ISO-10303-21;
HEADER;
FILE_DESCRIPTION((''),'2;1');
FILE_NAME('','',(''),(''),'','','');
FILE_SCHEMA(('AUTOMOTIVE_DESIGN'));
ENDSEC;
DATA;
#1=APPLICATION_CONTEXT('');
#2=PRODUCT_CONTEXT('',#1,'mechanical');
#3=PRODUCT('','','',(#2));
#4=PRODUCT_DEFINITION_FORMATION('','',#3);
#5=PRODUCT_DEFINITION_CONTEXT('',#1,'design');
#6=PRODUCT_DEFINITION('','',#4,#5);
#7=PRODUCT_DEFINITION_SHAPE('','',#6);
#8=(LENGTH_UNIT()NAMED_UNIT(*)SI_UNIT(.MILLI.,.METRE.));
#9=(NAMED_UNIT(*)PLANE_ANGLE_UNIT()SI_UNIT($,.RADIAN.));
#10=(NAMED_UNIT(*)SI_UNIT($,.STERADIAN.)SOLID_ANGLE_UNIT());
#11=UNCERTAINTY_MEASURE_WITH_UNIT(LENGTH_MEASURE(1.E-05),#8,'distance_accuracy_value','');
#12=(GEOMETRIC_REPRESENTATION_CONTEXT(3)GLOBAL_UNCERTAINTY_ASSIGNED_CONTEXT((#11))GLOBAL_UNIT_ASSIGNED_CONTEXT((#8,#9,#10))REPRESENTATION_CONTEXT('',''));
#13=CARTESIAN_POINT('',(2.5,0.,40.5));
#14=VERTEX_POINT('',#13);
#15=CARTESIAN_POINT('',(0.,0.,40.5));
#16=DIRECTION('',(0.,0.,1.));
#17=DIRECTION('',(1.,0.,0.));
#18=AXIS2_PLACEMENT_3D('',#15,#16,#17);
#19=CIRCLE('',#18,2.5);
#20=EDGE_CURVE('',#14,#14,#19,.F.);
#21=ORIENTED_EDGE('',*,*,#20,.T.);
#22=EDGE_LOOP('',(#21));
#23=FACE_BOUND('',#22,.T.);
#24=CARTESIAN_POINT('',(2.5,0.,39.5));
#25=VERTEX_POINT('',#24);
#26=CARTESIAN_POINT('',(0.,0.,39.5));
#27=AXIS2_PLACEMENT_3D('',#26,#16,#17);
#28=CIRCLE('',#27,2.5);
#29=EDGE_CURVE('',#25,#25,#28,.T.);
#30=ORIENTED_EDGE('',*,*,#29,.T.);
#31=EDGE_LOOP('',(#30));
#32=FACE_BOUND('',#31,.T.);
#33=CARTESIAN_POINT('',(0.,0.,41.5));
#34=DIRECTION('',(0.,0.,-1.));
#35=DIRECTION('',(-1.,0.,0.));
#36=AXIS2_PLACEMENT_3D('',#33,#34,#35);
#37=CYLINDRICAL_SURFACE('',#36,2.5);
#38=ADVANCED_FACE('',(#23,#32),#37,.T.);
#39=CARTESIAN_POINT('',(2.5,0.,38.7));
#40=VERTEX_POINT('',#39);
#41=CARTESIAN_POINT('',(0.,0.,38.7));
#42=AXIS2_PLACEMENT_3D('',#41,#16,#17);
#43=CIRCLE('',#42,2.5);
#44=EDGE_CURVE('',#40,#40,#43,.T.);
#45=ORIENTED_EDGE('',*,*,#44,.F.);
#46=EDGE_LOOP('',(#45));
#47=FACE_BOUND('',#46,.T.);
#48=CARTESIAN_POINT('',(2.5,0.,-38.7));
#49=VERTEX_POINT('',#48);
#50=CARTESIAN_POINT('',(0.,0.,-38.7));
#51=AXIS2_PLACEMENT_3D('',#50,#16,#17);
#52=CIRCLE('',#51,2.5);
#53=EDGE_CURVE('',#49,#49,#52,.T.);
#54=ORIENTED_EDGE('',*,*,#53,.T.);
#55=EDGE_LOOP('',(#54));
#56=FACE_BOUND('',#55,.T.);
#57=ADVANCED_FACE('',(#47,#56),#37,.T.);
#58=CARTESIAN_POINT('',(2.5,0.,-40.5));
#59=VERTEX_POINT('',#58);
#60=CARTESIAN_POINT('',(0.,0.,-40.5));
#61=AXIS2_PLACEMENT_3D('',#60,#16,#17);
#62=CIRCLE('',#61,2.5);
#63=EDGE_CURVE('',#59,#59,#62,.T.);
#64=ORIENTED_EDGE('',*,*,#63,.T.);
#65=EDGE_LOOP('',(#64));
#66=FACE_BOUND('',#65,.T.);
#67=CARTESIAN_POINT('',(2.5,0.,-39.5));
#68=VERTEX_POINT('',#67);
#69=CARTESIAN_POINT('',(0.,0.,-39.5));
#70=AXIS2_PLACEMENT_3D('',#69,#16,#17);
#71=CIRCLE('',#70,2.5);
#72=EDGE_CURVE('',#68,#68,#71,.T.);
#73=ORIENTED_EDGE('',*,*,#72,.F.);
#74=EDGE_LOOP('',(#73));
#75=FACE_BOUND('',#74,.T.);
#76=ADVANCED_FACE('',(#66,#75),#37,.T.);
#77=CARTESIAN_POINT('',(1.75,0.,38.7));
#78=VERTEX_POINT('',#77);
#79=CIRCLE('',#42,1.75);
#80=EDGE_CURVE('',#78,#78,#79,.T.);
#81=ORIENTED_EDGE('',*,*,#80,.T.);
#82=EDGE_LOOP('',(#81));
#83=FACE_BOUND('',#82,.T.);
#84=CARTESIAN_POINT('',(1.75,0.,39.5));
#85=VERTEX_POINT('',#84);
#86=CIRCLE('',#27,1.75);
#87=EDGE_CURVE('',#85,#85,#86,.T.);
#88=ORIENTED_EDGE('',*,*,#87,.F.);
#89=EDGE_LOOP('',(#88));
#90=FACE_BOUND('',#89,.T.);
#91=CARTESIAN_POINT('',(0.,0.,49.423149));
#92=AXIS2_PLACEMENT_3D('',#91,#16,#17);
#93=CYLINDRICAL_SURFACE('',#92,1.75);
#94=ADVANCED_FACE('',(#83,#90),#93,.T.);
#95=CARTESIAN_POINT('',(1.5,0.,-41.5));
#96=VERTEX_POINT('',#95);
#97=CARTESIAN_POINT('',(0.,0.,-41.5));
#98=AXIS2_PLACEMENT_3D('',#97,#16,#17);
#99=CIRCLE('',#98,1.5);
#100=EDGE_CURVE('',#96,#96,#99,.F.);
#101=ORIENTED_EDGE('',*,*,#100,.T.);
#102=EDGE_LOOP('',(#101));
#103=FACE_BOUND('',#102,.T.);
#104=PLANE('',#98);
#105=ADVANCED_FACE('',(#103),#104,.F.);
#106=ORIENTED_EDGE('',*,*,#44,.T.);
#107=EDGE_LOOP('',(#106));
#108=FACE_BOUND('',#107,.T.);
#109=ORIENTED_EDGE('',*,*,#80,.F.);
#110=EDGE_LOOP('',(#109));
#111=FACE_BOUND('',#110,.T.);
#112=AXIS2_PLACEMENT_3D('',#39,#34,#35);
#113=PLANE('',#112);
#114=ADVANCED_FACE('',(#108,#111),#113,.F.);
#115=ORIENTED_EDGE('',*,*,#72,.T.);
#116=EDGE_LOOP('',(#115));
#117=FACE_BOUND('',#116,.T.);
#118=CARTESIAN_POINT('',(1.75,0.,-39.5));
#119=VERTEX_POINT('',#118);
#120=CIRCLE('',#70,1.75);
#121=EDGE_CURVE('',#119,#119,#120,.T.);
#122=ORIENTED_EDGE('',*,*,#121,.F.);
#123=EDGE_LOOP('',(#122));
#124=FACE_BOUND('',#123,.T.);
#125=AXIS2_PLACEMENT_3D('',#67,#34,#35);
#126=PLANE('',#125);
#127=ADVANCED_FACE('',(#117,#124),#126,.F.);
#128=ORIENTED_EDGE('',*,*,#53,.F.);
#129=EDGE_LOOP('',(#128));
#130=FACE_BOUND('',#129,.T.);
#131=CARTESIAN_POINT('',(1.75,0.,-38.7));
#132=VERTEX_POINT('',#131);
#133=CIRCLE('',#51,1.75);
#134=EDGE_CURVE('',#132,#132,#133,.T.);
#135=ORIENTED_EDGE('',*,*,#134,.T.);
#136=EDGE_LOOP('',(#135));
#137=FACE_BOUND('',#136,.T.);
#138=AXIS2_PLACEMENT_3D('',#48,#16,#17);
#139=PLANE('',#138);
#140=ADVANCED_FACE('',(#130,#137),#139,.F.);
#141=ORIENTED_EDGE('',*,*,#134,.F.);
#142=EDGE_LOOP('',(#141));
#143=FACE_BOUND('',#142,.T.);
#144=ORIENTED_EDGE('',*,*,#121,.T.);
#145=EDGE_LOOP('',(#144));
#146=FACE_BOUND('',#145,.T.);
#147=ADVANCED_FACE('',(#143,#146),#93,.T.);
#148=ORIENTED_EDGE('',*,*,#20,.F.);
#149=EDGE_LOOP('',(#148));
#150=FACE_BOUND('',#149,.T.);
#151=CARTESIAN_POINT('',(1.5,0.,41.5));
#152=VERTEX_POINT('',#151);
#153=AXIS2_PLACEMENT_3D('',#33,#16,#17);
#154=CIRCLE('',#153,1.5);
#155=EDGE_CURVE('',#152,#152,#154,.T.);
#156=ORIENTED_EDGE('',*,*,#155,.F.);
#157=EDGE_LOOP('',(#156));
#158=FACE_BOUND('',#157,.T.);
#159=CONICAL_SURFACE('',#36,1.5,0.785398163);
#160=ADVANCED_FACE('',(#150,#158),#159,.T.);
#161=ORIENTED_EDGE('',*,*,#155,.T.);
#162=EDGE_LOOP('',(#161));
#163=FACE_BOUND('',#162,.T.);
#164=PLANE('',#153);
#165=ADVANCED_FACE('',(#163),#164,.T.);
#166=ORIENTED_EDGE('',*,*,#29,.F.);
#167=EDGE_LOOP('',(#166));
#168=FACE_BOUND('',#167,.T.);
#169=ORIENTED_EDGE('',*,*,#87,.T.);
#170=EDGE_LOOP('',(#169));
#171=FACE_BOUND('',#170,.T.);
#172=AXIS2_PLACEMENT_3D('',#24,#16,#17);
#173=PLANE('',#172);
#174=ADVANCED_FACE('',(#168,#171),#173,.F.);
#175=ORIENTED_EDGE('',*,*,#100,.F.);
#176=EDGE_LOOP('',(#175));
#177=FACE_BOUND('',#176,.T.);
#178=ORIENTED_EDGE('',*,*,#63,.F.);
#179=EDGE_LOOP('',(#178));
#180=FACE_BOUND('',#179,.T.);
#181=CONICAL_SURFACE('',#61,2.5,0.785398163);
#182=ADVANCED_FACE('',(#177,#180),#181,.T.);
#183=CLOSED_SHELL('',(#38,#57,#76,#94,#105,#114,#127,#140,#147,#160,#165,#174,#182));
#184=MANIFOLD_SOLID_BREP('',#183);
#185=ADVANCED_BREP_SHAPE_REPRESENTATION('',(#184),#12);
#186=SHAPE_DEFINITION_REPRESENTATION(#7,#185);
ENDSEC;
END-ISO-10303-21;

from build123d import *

# Parameters (mm, degrees)
SKETCH_1_R      = 2.5
EXTRUDE_1_DEPTH = 41.5
SKETCH_2_W      = 0.75
SKETCH_2_H      = 0.8
CHAMFER_1_SIZE  = 1


with BuildPart() as part:
    # 草图1 → 凸台-拉伸1 (new, symmetric)
    with BuildSketch(Plane.XY):
        Circle(SKETCH_1_R)
    extrude(amount=EXTRUDE_1_DEPTH, both=True)

    # 草图2 → 切除-旋转1 (revolve, cut)
    with BuildSketch(Plane(origin=(0, 0, 0), x_dir=(1, 0, 0), z_dir=(0, 1, 0))):
        with Locations((2.125, 39.1)):
            Rectangle(SKETCH_2_W, SKETCH_2_H)
        with Locations((2.125, -39.1)):
            Rectangle(SKETCH_2_W, SKETCH_2_H)
    revolve(axis=Axis((0, 0, 49.423149105), (0, 0, -1)), mode=Mode.SUBTRACT)

    # 倒角1
    chamfer_1_edges = [part.edges().sort_by_distance(p)[0] for p in [
        (-2.5, 0, -41.5),
        (-2.5, 0, 41.5),
    ]]
    chamfer(chamfer_1_edges, length=CHAMFER_1_SIZE)


solid = part.part
